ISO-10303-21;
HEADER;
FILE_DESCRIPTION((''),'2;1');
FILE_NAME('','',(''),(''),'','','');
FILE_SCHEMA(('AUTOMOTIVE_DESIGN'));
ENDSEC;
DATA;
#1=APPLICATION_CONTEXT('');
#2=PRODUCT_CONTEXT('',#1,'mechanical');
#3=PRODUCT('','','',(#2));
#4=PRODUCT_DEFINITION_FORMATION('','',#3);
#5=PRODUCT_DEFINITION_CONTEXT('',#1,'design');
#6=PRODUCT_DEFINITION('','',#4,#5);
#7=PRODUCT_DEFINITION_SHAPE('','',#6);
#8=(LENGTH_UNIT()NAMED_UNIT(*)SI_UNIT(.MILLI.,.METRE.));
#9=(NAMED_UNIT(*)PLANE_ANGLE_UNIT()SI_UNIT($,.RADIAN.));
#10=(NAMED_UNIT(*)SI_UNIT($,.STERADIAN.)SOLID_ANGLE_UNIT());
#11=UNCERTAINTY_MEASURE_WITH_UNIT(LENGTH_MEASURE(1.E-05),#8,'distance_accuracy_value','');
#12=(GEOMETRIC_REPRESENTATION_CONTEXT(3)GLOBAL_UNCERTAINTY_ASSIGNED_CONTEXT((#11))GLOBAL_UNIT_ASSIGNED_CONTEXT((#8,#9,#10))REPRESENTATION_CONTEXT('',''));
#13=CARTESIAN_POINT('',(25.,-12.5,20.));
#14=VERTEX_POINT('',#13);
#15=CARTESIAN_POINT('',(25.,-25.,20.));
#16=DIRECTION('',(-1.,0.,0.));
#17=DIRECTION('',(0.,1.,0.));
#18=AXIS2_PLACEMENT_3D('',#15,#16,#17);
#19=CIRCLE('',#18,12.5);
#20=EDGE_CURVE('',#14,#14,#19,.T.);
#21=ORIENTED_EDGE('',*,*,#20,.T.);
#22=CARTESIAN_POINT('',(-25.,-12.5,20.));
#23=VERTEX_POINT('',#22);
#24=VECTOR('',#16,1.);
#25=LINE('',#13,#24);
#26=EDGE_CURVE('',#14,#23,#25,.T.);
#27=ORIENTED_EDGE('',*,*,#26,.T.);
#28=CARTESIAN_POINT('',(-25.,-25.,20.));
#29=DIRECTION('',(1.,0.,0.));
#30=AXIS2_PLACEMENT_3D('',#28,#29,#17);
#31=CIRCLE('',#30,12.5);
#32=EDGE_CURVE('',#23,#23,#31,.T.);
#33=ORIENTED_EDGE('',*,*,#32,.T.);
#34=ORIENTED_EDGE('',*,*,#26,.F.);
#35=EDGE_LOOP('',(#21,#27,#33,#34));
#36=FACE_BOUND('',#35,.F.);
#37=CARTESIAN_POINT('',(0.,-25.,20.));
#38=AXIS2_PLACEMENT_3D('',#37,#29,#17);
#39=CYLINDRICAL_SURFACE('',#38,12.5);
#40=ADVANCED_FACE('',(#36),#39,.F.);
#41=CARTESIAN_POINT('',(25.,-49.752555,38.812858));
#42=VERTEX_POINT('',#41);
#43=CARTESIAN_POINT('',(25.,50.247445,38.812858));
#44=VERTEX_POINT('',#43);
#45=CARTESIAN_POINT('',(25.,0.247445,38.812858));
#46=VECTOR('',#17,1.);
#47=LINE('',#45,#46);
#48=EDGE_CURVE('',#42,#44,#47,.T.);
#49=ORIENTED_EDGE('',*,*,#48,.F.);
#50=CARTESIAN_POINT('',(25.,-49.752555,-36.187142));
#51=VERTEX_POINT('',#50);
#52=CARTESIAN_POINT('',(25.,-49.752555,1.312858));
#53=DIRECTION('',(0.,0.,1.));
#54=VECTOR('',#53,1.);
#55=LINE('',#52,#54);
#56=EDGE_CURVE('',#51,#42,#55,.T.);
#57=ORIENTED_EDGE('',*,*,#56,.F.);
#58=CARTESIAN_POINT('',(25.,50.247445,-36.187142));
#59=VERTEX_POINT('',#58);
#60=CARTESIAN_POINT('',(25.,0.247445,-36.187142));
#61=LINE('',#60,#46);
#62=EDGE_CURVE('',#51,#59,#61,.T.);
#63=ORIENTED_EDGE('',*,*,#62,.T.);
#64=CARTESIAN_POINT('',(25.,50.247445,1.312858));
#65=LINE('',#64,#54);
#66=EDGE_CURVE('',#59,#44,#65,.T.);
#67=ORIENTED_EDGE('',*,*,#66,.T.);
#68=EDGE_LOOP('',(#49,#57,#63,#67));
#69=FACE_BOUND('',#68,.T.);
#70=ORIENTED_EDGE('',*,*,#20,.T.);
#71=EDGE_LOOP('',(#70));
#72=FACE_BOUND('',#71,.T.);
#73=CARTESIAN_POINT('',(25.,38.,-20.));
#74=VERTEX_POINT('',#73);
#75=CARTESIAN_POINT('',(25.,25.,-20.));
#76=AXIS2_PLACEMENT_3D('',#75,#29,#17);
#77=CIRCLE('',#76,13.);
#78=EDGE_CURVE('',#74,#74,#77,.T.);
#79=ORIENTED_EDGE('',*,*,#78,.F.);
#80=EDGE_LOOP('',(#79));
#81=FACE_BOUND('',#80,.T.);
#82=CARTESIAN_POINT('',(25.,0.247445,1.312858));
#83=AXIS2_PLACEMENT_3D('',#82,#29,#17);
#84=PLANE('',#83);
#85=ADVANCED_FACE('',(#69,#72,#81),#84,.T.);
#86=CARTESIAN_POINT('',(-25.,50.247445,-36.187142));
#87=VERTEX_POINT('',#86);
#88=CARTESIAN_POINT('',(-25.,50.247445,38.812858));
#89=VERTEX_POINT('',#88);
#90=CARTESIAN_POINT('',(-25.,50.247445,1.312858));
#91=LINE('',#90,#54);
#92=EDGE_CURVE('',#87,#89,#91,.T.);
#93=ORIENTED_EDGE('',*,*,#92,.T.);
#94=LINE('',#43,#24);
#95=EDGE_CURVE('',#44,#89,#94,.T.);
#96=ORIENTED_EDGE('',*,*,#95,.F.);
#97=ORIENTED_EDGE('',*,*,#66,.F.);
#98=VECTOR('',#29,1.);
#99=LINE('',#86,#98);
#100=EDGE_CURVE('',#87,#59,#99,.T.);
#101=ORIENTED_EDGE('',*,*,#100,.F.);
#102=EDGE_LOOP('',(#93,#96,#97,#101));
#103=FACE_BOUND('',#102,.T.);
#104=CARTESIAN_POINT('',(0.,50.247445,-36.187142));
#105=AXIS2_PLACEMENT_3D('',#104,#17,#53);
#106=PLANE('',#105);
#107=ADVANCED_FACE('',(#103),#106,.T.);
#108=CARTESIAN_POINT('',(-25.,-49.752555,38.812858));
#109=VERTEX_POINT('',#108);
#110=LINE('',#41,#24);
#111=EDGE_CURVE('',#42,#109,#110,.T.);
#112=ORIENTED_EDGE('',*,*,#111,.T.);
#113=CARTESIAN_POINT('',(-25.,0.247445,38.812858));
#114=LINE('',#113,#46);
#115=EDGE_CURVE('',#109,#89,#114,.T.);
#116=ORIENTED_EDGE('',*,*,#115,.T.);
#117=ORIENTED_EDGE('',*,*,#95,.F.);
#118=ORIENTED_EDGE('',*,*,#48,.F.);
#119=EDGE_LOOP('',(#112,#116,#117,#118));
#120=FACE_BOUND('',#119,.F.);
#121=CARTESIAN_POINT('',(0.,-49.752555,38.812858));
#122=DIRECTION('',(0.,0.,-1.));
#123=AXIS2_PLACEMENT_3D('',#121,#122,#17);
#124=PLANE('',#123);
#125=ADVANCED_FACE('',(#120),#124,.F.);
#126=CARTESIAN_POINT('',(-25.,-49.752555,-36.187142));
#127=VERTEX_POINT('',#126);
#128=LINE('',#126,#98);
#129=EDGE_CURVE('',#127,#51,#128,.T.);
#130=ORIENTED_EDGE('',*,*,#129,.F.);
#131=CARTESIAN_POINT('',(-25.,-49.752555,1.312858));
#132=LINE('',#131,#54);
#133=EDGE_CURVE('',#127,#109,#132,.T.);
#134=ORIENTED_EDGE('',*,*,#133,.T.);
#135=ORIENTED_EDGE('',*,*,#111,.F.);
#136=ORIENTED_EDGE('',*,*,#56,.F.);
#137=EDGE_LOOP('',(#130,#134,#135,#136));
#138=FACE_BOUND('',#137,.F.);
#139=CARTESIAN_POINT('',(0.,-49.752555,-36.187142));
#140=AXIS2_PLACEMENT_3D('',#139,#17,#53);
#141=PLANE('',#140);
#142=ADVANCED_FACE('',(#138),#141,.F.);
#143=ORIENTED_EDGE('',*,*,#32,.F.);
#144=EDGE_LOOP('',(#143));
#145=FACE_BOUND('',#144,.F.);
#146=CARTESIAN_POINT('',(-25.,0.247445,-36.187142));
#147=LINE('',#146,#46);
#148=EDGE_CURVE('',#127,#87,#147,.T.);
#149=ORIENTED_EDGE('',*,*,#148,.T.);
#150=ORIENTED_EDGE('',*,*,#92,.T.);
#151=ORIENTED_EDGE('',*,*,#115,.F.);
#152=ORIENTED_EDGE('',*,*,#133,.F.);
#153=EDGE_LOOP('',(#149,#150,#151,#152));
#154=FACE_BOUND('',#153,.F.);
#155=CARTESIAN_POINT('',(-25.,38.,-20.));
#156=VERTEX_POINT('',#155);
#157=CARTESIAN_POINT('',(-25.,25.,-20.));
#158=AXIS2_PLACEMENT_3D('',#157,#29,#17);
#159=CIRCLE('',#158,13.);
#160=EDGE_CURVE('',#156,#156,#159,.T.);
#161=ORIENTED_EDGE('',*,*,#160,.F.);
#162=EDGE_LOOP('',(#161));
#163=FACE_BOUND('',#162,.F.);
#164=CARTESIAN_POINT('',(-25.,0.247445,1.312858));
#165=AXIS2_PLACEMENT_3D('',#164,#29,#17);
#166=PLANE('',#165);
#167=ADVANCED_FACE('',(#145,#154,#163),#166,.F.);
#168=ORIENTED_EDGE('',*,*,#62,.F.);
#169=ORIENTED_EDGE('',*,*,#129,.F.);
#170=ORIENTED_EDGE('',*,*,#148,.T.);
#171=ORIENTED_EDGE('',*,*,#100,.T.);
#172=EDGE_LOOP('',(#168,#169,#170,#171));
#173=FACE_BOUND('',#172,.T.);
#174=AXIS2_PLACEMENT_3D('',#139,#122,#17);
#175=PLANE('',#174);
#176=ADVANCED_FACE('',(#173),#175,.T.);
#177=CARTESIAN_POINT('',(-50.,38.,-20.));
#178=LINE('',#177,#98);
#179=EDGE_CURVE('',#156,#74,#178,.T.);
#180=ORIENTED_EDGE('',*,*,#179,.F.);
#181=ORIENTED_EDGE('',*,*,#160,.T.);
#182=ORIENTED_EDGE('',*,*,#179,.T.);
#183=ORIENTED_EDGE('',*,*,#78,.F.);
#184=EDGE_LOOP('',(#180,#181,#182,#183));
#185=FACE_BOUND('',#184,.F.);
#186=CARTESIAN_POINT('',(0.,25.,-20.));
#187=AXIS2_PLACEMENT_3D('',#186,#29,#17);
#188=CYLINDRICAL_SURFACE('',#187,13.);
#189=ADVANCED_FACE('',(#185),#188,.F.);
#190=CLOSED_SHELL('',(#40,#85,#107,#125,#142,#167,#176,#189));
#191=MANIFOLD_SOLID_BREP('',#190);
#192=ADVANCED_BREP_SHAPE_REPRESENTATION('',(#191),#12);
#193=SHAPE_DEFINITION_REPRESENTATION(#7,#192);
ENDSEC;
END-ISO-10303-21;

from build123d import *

# Parameters (mm, degrees)
F0_W     = 100
F0_H     = 75
F1_DEPTH = 25
F2_R     = 12.5
F2_R_2   = 13
F3_DEPTH = 50


with BuildPart() as f1:
    # F0 (on Right) → F1 (new body, symmetric)
    with BuildSketch(Plane.YZ):
        with Locations((0.247445, 1.312858)):
            Rectangle(F0_W, F0_H)
    extrude(amount=F1_DEPTH, both=True)

    # F2 (on Right) → F3 (cut, symmetric)
    with BuildSketch(Plane.YZ):
        with Locations((-25, 20)):
            Circle(F2_R)
        with Locations((25, -20)):
            Circle(F2_R_2)
    extrude(amount=F3_DEPTH, both=True, mode=Mode.SUBTRACT)


solid = f1.part
